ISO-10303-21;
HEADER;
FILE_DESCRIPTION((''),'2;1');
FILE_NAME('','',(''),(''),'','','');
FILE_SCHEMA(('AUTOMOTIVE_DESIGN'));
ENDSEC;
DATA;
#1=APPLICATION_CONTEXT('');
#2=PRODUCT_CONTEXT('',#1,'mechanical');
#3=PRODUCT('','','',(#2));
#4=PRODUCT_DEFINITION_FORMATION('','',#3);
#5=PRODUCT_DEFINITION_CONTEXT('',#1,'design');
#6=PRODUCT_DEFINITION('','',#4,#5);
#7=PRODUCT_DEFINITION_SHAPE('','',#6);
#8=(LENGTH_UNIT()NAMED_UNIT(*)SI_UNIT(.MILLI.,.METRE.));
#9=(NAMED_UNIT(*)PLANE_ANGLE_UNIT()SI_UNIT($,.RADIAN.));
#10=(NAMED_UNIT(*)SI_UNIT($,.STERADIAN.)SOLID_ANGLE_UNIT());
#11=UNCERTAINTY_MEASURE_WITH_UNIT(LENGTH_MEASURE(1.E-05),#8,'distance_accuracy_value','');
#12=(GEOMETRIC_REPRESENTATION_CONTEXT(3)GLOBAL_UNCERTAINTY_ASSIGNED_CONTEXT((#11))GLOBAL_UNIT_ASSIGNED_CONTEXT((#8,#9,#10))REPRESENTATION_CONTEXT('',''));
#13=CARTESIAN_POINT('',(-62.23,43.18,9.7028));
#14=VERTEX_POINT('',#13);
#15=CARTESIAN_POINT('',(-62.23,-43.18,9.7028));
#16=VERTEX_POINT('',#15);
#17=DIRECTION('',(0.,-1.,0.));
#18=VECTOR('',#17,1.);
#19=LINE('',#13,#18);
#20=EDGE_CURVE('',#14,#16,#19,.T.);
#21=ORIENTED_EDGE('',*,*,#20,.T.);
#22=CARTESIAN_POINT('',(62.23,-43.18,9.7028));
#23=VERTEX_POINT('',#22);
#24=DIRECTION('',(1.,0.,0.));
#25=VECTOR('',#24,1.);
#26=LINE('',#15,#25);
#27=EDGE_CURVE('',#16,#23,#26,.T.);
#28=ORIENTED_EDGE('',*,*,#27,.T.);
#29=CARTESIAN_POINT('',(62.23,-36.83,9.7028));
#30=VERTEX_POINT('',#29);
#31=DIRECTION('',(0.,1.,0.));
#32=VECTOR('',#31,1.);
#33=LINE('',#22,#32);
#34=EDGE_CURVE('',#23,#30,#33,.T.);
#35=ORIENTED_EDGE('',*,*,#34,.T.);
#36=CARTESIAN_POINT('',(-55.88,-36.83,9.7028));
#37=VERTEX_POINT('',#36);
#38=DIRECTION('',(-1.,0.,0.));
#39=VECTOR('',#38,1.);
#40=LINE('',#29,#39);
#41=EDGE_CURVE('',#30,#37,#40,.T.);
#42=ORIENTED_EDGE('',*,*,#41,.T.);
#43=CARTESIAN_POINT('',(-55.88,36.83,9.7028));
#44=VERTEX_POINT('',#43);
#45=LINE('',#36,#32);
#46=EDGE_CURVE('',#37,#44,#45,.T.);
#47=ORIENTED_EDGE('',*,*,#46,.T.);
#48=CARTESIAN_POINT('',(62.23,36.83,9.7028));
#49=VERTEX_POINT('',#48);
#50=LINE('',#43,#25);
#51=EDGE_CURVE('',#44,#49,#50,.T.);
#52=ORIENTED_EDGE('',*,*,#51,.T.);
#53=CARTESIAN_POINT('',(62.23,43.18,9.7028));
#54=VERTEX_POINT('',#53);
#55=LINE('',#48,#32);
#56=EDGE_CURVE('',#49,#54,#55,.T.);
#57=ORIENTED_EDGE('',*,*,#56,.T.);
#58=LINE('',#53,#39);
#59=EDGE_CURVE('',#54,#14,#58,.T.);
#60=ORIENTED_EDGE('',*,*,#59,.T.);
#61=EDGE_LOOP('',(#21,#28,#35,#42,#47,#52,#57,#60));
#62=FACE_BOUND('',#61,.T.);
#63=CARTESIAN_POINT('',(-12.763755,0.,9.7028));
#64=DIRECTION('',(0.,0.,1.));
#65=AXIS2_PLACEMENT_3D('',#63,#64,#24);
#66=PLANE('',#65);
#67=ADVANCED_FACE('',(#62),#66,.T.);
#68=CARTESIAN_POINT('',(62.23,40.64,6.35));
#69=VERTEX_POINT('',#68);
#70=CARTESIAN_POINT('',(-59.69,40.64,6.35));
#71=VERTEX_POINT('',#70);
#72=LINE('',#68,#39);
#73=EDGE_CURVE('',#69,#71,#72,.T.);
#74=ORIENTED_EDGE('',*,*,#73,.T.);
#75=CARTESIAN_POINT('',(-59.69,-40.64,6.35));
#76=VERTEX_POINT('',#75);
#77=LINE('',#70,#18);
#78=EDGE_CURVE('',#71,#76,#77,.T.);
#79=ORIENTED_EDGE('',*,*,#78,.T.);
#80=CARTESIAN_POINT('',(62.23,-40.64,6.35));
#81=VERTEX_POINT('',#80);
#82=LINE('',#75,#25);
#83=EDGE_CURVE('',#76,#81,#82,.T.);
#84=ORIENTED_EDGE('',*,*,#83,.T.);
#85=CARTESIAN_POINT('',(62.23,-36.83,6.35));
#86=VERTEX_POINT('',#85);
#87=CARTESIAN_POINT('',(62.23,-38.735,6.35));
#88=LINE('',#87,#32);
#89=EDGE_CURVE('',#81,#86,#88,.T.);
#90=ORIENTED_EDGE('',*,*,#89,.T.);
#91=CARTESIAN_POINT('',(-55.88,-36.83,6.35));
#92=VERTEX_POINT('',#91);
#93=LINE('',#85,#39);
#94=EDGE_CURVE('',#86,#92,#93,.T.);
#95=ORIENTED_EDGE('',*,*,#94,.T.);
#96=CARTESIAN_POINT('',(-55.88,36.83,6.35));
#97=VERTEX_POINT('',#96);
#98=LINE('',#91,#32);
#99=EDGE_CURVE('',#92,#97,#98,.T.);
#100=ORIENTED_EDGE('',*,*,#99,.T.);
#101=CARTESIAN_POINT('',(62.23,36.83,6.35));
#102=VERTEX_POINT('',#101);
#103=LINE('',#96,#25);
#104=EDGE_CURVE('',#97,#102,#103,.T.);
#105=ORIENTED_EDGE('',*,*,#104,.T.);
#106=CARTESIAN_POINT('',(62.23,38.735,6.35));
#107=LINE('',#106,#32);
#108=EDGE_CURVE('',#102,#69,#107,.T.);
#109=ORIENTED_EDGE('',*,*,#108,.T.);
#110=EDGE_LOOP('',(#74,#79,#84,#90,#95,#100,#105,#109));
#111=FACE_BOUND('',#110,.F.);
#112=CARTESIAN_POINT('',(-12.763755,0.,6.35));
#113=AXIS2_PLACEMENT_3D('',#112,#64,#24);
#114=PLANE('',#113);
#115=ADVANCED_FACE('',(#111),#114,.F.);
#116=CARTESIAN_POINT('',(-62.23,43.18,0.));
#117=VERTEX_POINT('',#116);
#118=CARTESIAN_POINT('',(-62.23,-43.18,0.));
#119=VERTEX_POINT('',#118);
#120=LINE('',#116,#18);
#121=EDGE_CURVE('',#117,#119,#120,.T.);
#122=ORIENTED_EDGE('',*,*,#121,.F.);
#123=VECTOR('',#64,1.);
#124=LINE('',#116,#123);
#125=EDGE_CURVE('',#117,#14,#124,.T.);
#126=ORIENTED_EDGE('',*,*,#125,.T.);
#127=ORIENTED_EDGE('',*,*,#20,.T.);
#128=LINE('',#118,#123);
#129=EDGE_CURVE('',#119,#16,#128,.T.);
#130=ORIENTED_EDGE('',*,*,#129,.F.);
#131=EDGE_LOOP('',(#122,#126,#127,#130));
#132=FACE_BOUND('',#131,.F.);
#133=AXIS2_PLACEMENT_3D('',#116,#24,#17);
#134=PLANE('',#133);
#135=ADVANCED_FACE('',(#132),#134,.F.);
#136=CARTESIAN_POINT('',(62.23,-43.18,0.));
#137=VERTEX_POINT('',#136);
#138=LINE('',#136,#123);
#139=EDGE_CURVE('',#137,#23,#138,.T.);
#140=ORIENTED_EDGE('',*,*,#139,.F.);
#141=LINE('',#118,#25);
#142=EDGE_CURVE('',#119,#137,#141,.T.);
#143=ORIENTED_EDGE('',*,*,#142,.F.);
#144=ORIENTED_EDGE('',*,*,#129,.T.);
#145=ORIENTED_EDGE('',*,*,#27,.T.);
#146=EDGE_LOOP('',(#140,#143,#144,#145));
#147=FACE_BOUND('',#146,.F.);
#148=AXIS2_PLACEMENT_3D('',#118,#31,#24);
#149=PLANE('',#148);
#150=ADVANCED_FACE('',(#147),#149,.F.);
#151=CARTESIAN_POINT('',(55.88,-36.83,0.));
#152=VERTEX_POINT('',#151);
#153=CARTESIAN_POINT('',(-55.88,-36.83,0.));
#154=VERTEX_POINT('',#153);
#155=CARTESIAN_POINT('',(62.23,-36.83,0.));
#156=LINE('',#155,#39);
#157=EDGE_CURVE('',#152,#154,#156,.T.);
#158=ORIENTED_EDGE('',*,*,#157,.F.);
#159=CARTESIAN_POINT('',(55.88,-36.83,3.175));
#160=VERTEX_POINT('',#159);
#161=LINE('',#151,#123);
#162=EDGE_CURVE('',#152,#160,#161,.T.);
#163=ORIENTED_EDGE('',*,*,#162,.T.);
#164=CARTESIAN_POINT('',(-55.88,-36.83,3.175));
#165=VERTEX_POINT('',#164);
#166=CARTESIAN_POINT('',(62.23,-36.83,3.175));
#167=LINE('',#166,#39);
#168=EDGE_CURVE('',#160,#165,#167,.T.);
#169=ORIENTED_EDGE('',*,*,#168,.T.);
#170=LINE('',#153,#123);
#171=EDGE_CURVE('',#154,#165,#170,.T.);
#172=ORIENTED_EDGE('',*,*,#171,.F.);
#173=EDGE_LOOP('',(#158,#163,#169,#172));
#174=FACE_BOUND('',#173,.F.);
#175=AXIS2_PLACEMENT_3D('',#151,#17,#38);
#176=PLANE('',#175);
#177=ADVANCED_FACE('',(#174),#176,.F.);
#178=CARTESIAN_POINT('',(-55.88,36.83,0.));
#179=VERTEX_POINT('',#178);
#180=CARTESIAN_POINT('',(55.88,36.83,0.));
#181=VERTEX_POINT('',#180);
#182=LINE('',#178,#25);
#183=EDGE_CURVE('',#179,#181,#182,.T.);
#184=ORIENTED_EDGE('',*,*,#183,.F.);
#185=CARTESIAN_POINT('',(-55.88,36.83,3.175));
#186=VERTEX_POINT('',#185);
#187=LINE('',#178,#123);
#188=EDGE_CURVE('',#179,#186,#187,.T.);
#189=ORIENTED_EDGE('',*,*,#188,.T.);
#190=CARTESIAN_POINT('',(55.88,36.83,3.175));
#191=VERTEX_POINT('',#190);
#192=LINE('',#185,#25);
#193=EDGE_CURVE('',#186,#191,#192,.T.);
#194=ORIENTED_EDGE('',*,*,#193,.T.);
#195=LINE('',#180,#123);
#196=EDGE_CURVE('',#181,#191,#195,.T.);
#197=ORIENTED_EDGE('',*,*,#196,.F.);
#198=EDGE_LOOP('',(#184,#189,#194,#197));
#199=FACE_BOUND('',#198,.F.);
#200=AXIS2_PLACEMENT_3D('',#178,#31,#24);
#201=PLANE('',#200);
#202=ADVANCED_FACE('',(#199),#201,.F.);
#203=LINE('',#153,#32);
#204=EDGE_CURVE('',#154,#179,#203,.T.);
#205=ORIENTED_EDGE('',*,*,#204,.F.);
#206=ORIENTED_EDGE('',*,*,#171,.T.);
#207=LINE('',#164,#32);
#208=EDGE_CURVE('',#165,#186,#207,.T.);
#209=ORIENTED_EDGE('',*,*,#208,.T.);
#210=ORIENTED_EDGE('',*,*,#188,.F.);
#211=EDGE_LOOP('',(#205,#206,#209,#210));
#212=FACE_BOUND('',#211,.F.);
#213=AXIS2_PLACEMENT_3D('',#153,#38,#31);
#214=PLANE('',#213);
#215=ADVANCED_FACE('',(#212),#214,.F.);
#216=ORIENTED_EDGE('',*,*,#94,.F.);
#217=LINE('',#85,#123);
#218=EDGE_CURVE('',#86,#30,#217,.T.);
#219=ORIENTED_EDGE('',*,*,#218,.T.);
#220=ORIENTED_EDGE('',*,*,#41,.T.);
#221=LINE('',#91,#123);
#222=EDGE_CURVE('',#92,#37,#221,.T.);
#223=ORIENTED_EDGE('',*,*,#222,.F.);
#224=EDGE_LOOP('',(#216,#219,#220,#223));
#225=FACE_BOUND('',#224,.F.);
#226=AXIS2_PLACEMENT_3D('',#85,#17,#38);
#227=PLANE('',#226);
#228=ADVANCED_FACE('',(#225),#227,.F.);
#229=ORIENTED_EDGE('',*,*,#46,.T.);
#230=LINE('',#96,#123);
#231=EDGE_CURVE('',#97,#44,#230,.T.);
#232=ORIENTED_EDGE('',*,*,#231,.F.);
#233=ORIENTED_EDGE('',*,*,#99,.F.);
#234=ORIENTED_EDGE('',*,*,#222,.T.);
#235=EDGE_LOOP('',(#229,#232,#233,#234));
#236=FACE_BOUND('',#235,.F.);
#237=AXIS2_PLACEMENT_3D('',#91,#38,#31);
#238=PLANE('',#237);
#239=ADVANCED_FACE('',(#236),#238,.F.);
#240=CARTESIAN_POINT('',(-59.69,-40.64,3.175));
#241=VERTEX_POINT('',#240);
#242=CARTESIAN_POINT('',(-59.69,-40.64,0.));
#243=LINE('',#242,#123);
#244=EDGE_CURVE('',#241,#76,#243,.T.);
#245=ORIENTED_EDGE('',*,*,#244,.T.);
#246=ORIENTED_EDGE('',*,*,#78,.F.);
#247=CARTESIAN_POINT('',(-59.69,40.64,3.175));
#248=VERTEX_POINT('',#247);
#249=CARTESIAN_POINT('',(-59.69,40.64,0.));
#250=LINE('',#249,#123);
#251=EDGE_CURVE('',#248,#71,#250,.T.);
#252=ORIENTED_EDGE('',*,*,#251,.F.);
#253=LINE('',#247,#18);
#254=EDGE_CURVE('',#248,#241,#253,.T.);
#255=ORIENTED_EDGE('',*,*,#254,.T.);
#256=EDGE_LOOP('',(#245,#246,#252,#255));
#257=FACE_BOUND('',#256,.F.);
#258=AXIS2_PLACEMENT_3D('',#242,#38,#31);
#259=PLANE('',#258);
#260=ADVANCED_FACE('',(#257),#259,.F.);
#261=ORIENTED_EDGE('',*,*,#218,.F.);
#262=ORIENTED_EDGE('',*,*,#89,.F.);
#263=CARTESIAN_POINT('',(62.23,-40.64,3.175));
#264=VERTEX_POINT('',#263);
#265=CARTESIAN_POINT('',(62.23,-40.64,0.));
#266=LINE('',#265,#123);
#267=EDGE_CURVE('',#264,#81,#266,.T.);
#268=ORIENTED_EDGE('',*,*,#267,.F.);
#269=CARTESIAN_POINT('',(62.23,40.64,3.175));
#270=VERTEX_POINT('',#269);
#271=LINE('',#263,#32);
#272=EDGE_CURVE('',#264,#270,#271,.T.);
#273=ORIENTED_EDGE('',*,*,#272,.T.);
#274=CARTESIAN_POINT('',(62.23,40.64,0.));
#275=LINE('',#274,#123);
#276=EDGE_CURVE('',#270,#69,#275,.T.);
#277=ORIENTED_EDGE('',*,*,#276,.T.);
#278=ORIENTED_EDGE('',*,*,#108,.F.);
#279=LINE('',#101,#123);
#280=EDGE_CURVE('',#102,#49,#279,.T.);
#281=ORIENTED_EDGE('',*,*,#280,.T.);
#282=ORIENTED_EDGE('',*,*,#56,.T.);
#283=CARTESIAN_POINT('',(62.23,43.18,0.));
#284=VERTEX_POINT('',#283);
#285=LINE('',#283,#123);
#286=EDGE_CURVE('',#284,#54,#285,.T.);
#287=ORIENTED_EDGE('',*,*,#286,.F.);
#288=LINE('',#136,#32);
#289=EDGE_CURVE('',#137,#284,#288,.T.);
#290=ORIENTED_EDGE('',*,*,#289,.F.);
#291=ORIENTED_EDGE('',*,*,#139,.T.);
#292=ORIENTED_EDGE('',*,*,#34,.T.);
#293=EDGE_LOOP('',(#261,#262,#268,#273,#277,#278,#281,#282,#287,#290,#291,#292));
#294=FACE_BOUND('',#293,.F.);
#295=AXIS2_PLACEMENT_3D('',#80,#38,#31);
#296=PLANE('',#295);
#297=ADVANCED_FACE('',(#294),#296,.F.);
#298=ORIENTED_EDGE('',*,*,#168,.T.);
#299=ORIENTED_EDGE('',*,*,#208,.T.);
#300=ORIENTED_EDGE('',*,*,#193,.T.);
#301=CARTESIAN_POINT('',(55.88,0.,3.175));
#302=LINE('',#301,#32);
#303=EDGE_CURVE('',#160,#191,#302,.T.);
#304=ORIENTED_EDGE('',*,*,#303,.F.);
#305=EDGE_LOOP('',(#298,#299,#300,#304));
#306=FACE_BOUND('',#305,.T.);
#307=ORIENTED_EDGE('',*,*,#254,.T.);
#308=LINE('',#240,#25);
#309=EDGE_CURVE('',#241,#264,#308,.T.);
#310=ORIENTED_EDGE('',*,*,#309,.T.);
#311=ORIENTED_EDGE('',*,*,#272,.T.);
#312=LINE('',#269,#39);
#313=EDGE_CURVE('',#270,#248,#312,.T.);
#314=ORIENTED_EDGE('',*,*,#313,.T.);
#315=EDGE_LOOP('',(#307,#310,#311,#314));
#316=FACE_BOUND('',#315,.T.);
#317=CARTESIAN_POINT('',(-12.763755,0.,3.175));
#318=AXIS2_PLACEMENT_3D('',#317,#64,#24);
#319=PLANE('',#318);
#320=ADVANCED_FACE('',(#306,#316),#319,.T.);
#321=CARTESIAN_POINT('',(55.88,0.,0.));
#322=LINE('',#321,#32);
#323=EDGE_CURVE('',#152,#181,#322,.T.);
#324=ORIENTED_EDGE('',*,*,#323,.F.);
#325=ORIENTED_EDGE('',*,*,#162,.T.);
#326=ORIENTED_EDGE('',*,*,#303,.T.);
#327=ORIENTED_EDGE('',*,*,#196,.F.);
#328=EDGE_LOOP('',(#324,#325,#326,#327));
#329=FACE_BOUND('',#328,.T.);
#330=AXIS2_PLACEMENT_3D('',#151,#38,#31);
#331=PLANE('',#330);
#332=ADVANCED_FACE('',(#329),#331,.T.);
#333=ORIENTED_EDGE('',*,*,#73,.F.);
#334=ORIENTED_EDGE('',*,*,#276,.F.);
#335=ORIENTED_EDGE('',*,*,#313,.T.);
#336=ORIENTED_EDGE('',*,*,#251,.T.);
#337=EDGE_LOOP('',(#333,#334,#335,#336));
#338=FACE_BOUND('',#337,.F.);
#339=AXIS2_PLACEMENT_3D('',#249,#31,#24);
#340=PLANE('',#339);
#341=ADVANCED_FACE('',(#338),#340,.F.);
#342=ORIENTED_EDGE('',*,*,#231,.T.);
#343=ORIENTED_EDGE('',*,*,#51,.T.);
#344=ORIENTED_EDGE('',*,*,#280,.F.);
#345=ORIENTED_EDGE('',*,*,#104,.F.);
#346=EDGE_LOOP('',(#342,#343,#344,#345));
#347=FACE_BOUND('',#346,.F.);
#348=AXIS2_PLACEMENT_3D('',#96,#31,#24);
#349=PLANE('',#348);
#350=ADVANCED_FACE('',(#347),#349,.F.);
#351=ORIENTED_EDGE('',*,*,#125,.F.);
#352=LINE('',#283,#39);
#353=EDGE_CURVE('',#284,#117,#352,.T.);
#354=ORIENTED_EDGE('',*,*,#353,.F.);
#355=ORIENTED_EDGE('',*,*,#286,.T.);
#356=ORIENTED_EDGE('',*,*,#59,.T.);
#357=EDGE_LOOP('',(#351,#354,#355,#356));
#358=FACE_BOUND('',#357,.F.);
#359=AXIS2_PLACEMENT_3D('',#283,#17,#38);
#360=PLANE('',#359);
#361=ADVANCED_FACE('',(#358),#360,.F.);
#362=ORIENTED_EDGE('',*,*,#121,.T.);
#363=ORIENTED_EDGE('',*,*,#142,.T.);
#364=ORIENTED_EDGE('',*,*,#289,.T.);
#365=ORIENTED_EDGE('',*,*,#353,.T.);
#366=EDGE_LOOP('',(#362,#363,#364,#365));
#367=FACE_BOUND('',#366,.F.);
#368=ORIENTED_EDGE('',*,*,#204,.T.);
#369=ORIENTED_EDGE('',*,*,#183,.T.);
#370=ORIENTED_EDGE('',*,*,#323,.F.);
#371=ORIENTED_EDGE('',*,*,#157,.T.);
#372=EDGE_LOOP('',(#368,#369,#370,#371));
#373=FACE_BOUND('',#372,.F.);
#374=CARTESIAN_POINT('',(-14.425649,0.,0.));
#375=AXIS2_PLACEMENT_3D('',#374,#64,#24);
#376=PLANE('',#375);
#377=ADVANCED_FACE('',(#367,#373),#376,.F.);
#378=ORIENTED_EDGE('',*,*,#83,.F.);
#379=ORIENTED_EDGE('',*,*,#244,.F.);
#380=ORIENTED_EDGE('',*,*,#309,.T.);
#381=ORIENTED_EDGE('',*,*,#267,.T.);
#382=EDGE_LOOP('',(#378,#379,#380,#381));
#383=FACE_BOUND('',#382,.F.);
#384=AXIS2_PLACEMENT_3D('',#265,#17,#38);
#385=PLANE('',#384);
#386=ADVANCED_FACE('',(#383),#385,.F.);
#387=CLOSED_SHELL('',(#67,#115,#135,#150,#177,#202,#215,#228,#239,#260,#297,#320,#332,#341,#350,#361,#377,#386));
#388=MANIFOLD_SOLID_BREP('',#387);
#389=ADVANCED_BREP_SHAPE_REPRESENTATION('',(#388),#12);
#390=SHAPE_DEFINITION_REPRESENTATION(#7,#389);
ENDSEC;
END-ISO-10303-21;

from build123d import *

# Parameters (mm, degrees)
F0_W     = 2.54
F0_H     = 3.81
F0_W_2   = 3.81
F0_H_2   = 73.66
F1_DEPTH = 3.175
F2_DEPTH = 9.7028
F3_START = 6.35
F3_DEPTH = 3.3528


with BuildPart() as f1:
    # F0 (on Top) → F1 (new body)
    with BuildSketch(Plane.XY):
        Polygon((-55.88, -36.83), (-55.88, 36.83), (55.88, 36.83), (59.69, 36.83), (59.69, 40.64), (-59.69, 40.64), (-59.69, -40.64), (59.69, -40.64), (59.69, -36.83), (55.88, -36.83), align=None)
        with Locations((60.96, 38.735)):
            Rectangle(F0_W, F0_H)
        with Locations((60.96, -38.735)):
            Rectangle(F0_W, F0_H)
        with Locations((57.785, 0)):
            Rectangle(F0_W_2, F0_H_2)
        with Locations((60.96, 0)):
            Rectangle(F0_W, F0_H_2)
    extrude(amount=F1_DEPTH)

    # F0 (on Top) → F2 (join)
    with BuildSketch(Plane.XY):
        Polygon((-59.69, 40.64), (59.69, 40.64), (62.23, 40.64), (62.23, 43.18), (-62.23, 43.18), (-62.23, -43.18), (62.23, -43.18), (62.23, -40.64), (59.69, -40.64), (-59.69, -40.64), align=None)
    extrude(amount=F2_DEPTH)

    # F0 (on Top) → F3 (join)
    with BuildSketch(Plane.XY.offset(F3_START)):
        Polygon((-55.88, -36.83), (-55.88, 36.83), (55.88, 36.83), (59.69, 36.83), (59.69, 40.64), (-59.69, 40.64), (-59.69, -40.64), (59.69, -40.64), (59.69, -36.83), (55.88, -36.83), align=None)
        with Locations((60.96, -38.735)):
            Rectangle(F0_W, F0_H)
        with Locations((60.96, 38.735)):
            Rectangle(F0_W, F0_H)
    extrude(amount=F3_DEPTH)


solid = f1.part
